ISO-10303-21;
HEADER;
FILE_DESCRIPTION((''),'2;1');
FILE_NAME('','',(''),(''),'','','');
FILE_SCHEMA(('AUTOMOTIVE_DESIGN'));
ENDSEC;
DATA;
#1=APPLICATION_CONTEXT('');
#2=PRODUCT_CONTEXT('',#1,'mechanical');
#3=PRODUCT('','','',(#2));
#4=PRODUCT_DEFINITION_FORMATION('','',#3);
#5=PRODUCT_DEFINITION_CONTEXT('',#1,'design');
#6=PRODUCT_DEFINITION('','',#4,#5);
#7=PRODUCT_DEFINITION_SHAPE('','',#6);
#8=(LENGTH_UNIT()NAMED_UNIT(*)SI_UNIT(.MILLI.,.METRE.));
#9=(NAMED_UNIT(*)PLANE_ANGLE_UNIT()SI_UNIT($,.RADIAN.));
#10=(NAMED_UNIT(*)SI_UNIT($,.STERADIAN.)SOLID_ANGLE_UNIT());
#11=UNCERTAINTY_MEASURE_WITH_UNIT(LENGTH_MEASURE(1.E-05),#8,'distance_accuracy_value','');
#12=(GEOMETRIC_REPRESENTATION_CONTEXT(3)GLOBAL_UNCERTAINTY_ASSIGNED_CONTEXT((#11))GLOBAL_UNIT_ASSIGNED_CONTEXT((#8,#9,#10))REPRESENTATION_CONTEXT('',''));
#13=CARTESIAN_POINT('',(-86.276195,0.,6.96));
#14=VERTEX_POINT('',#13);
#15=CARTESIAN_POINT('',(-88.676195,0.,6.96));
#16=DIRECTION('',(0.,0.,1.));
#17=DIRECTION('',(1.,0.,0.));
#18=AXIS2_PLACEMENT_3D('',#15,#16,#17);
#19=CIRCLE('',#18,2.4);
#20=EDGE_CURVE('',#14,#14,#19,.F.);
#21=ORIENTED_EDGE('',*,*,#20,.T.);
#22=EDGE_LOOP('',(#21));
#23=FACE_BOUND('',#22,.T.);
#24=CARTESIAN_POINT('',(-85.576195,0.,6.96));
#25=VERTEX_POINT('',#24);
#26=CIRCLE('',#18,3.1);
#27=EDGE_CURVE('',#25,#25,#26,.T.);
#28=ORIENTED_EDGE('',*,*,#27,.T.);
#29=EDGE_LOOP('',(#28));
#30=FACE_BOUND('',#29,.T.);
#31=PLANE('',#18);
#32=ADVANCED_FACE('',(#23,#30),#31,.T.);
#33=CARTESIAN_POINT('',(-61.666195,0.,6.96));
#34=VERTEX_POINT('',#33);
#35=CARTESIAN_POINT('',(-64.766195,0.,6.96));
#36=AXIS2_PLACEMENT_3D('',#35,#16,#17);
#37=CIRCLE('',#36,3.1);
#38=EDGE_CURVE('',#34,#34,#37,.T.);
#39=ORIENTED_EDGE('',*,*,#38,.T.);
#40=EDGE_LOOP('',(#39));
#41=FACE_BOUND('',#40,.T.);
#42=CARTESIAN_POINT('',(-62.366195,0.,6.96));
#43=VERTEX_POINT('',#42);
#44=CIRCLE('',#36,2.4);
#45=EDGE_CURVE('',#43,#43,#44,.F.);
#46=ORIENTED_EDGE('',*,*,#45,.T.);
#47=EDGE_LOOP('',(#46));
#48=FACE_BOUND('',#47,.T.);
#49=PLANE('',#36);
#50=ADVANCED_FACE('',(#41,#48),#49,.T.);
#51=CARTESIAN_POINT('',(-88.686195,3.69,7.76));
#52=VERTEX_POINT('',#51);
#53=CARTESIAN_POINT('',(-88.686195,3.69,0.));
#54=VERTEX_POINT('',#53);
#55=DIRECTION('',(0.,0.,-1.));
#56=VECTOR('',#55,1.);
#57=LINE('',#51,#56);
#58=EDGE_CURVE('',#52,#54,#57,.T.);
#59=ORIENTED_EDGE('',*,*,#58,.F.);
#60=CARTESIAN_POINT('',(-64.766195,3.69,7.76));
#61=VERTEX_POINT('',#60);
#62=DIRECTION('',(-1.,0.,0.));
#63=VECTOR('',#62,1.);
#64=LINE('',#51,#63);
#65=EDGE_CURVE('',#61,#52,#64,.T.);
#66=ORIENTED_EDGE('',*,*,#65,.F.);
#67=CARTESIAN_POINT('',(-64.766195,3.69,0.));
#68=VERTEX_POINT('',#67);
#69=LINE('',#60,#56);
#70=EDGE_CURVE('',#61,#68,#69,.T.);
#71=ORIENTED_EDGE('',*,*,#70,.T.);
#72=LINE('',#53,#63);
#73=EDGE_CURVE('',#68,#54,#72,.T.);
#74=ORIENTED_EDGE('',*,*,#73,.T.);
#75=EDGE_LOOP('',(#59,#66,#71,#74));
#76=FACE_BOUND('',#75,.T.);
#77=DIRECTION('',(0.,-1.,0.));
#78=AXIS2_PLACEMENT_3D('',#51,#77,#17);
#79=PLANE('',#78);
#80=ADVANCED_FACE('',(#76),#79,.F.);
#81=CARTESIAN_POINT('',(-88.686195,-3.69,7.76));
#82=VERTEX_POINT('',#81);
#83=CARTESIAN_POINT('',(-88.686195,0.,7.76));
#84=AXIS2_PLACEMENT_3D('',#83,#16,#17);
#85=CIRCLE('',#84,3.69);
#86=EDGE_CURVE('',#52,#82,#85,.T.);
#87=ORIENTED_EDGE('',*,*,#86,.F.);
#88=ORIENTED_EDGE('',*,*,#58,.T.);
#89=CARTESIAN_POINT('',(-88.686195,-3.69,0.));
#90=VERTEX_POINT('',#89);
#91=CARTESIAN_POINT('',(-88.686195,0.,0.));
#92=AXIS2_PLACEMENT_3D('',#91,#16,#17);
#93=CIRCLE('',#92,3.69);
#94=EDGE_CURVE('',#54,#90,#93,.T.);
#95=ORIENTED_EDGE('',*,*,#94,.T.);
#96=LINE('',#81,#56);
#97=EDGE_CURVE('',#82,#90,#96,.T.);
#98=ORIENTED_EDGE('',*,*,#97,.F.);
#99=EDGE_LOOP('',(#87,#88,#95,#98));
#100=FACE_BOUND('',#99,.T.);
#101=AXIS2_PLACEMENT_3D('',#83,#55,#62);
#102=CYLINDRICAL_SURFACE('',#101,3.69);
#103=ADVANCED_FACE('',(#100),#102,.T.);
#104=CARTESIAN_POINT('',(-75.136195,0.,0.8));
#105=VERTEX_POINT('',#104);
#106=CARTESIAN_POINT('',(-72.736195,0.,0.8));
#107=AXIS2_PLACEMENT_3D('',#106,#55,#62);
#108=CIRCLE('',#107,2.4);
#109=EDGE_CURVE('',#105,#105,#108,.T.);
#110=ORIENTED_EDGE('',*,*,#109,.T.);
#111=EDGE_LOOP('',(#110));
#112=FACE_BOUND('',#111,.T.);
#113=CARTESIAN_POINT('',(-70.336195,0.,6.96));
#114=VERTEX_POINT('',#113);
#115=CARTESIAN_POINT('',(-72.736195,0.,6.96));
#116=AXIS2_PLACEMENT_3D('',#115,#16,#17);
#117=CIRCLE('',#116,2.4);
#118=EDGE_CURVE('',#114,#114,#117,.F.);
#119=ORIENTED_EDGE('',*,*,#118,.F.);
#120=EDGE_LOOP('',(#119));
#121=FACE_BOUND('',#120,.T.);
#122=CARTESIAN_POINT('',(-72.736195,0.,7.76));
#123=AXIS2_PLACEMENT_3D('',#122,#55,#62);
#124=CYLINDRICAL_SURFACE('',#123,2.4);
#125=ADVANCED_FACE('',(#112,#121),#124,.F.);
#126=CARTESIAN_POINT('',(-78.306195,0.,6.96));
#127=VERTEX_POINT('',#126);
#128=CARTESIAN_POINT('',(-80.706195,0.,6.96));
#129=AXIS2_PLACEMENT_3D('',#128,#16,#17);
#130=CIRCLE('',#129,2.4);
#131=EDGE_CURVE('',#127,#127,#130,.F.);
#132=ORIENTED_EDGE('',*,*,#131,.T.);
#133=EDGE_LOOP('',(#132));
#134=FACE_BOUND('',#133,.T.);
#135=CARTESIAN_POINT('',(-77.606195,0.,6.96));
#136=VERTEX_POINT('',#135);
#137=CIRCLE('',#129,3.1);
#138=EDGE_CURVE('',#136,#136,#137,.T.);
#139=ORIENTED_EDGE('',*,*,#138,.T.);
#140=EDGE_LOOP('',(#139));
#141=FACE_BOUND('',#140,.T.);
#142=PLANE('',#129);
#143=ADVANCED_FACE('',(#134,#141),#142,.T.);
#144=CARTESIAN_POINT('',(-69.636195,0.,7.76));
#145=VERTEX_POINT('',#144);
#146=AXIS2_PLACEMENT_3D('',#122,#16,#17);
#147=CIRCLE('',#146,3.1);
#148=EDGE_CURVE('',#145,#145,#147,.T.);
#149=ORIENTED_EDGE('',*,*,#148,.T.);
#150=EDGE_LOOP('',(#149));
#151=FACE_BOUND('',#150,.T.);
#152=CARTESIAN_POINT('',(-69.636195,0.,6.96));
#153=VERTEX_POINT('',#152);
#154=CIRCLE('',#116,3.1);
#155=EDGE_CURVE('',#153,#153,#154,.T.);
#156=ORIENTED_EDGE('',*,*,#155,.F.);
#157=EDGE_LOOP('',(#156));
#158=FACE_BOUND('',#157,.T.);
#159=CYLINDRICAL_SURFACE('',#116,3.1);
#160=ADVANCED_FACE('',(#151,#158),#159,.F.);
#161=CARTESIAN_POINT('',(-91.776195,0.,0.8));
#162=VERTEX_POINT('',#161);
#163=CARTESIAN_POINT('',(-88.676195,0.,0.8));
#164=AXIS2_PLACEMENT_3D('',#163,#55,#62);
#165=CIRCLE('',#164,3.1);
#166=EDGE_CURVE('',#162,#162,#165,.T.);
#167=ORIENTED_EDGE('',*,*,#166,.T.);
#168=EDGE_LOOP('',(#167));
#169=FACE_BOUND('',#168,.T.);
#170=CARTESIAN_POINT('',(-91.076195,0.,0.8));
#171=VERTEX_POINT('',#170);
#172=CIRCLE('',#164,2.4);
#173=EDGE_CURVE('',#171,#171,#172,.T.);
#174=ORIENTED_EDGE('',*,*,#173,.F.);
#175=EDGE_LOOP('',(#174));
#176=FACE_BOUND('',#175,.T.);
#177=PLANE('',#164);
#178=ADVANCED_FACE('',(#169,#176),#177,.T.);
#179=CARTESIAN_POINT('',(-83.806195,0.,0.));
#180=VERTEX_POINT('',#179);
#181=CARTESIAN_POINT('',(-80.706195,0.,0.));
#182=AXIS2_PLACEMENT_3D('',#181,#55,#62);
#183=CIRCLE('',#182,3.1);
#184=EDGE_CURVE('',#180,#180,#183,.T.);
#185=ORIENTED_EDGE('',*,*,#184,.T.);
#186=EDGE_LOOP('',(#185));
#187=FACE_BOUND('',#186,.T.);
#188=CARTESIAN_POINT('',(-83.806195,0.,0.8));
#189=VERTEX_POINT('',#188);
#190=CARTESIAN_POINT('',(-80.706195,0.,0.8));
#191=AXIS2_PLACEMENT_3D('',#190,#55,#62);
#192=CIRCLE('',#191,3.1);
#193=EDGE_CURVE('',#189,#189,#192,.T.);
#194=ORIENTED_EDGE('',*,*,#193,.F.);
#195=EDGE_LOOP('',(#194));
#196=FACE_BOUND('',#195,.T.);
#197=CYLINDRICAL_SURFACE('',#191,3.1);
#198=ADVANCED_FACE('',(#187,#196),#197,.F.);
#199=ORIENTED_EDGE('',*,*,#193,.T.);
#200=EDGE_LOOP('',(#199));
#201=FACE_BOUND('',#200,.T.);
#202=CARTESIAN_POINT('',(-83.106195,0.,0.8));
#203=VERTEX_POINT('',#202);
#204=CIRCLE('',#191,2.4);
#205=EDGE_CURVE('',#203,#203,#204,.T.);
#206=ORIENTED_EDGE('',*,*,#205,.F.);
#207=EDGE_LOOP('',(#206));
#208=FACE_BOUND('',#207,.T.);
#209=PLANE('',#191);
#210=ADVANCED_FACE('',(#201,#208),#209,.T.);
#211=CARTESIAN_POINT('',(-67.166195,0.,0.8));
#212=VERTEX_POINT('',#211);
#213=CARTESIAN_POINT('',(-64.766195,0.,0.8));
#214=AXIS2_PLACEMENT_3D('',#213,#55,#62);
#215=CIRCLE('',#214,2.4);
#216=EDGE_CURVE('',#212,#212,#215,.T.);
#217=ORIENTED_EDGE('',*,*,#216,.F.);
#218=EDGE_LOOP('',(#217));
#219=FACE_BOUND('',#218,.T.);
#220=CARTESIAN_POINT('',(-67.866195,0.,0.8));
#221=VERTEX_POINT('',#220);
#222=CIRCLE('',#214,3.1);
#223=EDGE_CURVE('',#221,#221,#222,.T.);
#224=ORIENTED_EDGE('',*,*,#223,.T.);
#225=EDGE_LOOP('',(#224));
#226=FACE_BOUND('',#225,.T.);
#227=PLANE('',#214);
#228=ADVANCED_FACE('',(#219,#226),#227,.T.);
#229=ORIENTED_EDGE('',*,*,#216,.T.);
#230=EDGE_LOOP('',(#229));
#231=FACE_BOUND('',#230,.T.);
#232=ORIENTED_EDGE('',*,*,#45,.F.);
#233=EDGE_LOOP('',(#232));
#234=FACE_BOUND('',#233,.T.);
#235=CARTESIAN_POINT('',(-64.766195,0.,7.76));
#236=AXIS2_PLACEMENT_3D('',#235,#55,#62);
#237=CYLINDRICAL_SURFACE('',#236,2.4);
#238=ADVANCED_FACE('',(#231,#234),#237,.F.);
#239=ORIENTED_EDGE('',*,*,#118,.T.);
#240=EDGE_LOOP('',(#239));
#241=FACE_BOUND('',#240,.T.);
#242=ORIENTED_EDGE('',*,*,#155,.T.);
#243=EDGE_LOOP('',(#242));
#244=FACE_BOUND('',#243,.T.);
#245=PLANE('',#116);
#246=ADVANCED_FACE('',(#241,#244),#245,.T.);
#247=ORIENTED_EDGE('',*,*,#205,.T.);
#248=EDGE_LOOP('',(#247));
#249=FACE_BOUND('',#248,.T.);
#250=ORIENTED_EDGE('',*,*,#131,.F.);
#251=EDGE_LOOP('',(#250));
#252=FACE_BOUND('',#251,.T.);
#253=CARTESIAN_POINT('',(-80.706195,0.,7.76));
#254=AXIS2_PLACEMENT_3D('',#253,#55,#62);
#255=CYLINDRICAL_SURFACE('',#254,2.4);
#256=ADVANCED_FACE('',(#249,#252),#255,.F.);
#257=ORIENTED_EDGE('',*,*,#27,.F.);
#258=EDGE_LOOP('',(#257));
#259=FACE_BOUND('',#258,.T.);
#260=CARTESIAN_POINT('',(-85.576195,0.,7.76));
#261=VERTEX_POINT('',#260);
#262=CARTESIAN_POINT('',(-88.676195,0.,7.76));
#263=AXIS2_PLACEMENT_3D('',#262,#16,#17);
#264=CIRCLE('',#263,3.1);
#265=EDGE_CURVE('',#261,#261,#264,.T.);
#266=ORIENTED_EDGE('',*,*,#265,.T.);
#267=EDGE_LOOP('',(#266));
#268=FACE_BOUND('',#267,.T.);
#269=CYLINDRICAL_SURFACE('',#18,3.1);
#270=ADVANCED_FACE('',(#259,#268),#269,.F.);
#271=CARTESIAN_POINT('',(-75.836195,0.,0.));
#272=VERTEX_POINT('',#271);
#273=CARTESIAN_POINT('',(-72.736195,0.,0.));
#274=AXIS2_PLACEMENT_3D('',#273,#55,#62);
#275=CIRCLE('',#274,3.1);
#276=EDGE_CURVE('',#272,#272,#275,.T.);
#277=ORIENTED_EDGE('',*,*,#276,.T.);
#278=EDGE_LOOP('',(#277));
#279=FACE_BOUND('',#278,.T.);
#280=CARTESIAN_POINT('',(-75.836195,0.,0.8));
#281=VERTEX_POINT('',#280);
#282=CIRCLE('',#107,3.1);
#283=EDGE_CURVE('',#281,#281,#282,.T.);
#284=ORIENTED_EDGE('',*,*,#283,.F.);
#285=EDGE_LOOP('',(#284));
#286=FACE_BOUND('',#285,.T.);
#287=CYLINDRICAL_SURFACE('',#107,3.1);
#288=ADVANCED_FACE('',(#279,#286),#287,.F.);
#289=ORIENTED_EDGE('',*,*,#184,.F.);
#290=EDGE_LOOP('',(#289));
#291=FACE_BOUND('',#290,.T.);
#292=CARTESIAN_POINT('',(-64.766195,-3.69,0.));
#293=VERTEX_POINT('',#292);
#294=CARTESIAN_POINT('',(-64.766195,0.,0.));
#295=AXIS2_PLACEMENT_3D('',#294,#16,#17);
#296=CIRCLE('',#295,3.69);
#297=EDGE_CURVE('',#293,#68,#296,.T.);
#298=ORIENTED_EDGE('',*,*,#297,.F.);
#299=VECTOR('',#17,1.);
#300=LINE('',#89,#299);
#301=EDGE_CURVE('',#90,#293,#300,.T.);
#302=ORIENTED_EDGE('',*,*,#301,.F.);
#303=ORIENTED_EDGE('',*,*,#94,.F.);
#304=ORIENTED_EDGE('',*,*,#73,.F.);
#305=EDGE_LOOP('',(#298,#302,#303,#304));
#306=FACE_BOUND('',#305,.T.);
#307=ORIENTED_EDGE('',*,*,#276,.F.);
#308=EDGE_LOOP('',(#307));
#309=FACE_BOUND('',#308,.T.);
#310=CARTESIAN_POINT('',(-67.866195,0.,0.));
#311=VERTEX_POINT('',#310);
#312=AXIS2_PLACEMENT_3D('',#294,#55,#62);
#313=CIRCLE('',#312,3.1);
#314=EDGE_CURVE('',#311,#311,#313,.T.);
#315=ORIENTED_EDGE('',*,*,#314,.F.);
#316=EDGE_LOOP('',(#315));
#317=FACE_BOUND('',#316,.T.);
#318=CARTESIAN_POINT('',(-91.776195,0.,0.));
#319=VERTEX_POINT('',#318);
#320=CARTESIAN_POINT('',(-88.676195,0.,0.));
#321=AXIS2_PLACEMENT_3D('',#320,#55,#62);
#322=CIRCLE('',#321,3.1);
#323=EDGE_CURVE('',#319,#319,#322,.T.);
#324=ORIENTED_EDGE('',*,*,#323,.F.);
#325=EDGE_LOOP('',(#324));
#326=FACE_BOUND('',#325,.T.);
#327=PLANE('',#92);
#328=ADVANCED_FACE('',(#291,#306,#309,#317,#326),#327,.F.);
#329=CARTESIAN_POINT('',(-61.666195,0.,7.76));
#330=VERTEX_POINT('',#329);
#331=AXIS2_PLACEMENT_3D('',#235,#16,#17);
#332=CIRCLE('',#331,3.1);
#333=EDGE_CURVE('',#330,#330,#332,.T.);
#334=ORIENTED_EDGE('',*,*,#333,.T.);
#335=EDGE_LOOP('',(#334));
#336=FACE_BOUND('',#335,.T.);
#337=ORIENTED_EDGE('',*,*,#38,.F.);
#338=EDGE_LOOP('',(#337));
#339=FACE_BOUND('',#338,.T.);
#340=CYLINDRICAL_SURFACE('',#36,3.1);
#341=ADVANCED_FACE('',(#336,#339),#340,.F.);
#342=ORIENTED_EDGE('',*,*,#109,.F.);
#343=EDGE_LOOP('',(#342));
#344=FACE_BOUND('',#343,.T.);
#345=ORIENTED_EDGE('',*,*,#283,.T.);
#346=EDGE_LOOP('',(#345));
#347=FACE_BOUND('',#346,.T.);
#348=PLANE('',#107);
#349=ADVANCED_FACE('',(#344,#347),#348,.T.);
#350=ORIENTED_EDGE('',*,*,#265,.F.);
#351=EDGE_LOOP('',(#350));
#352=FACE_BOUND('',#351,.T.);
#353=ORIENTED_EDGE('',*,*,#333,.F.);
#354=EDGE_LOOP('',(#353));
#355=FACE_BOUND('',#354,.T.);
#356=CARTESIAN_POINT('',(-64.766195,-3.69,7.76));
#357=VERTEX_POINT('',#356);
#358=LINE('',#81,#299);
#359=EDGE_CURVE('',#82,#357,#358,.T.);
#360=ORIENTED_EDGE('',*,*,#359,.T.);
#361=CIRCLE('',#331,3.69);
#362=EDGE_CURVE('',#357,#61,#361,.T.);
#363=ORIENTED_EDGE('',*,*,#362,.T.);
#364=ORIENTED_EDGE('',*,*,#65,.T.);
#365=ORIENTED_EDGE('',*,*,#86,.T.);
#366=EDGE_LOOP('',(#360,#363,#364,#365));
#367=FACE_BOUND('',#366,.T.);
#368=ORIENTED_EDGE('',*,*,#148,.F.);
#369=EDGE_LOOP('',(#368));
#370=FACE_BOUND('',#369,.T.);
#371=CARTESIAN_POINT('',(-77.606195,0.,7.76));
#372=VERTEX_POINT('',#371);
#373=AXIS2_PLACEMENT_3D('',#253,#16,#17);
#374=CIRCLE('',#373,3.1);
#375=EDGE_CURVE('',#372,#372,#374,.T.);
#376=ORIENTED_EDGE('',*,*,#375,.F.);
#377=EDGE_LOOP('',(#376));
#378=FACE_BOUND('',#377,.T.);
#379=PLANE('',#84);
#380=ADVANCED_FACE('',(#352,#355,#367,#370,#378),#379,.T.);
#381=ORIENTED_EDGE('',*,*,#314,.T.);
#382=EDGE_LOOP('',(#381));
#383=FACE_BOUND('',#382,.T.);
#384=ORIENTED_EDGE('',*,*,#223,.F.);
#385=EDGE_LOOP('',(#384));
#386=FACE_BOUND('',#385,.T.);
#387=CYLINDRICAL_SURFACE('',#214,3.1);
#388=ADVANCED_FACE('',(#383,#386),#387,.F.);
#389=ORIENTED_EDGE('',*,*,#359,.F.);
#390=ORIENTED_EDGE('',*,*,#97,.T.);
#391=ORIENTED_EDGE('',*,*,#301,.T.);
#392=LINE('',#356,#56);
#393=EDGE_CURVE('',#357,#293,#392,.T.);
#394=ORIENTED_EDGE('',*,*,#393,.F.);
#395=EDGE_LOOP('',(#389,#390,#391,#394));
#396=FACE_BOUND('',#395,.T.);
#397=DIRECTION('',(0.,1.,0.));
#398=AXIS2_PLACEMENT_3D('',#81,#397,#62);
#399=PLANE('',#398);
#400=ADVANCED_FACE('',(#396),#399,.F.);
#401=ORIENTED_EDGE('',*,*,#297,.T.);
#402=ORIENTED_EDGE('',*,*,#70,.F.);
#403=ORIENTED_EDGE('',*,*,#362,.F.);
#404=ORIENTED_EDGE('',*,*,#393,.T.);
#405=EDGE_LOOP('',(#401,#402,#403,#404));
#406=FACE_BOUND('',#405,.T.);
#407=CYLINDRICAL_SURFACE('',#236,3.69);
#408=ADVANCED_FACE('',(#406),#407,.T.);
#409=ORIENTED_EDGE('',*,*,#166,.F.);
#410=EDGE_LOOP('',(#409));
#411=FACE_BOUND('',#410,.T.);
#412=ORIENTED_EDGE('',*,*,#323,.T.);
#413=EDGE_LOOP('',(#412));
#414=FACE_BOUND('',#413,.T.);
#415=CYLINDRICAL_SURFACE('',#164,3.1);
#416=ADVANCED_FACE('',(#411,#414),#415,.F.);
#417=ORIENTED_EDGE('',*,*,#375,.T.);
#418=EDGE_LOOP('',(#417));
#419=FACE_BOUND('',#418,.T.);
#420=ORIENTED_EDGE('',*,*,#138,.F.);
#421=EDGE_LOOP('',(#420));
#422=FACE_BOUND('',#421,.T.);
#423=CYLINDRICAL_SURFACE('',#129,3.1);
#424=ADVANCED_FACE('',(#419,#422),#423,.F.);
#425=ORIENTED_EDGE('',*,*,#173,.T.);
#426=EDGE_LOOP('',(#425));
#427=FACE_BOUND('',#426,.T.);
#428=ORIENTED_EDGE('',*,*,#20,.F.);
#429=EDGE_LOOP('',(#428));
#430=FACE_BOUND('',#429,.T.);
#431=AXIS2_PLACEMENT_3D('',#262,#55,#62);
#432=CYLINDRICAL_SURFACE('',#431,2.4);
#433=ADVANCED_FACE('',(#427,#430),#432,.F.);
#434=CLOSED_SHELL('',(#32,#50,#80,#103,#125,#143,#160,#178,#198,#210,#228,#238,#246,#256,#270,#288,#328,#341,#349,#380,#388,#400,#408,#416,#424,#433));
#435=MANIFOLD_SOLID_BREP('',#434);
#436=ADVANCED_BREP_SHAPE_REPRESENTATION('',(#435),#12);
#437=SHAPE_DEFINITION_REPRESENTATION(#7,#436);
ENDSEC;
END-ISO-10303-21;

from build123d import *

# Parameters (mm, degrees)
BOSS_EXTRUDE1_DEPTH = 7.76
SKETCH2_R           = 3.1
CUT_EXTRUDE1_DEPTH  = 0.8
SKETCH3_R           = 2.4
CUT_EXTRUDE2_DEPTH  = 93.711483407
CUT_EXTRUDE3_START  = -0.8
SKETCH4_R           = 3.1
CUT_EXTRUDE3_DEPTH  = 0.8


with BuildPart() as part:
    # Sketch1 → Boss-Extrude1 (new body)
    with BuildSketch(Plane.XY):
        with BuildLine():
            Line((-88.686195286, 3.69), (-64.766195286, 3.69))
            ThreePointArc((-64.766195286, 3.69), (-61.076195286, 0), (-64.766195286, -3.69))
            Line((-64.766195286, -3.69), (-88.686195286, -3.69))
            ThreePointArc((-88.686195286, -3.69), (-92.376195286, 0), (-88.686195286, 3.69))
        make_face()
    extrude(amount=BOSS_EXTRUDE1_DEPTH)

    # Sketch2 → Cut-Extrude1 (cut)
    with BuildSketch(Plane(origin=(0, 0, 0), x_dir=(-1, 0, 0), z_dir=(0, 0, -1))):
        with Locations((64.766195286, 0)):
            Circle(SKETCH2_R)
        with Locations((72.736195286, 0)):
            Circle(SKETCH2_R)
        with Locations((80.706195286, 0)):
            Circle(SKETCH2_R)
        with Locations((88.676195286, 0)):
            Circle(SKETCH2_R)
    extrude(amount=-CUT_EXTRUDE1_DEPTH, mode=Mode.SUBTRACT)

    # Sketch3 → Cut-Extrude2 (cut, through all)
    with BuildSketch(Plane(origin=(0, 0, 0.8), x_dir=(-1, 0, 0), z_dir=(0, 0, -1))):
        with Locations((64.766195286, 0)):
            Circle(SKETCH3_R)
        with Locations((72.736195286, 0)):
            Circle(SKETCH3_R)
        with Locations((80.706195286, 0)):
            Circle(SKETCH3_R)
        with Locations((88.676195286, 0)):
            Circle(SKETCH3_R)
    extrude(amount=-CUT_EXTRUDE2_DEPTH, mode=Mode.SUBTRACT)

    # Sketch4 → Cut-Extrude3 (cut)
    with BuildSketch(Plane.XY.offset(7.76).offset(CUT_EXTRUDE3_START)):
        with Locations(Location((-88.676195286, 0, 0), (0, 0, 180))):
            Circle(SKETCH4_R)
        with Locations(Location((-80.706195286, 0, 0), (0, 0, 180))):
            Circle(SKETCH4_R)
        with Locations(Location((-72.736195286, 0, 0), (0, 0, 180))):
            Circle(SKETCH4_R)
        with Locations(Location((-64.766195286, 0, 0), (0, 0, 180))):
            Circle(SKETCH4_R)
    extrude(amount=CUT_EXTRUDE3_DEPTH, mode=Mode.SUBTRACT)


solid = part.part
